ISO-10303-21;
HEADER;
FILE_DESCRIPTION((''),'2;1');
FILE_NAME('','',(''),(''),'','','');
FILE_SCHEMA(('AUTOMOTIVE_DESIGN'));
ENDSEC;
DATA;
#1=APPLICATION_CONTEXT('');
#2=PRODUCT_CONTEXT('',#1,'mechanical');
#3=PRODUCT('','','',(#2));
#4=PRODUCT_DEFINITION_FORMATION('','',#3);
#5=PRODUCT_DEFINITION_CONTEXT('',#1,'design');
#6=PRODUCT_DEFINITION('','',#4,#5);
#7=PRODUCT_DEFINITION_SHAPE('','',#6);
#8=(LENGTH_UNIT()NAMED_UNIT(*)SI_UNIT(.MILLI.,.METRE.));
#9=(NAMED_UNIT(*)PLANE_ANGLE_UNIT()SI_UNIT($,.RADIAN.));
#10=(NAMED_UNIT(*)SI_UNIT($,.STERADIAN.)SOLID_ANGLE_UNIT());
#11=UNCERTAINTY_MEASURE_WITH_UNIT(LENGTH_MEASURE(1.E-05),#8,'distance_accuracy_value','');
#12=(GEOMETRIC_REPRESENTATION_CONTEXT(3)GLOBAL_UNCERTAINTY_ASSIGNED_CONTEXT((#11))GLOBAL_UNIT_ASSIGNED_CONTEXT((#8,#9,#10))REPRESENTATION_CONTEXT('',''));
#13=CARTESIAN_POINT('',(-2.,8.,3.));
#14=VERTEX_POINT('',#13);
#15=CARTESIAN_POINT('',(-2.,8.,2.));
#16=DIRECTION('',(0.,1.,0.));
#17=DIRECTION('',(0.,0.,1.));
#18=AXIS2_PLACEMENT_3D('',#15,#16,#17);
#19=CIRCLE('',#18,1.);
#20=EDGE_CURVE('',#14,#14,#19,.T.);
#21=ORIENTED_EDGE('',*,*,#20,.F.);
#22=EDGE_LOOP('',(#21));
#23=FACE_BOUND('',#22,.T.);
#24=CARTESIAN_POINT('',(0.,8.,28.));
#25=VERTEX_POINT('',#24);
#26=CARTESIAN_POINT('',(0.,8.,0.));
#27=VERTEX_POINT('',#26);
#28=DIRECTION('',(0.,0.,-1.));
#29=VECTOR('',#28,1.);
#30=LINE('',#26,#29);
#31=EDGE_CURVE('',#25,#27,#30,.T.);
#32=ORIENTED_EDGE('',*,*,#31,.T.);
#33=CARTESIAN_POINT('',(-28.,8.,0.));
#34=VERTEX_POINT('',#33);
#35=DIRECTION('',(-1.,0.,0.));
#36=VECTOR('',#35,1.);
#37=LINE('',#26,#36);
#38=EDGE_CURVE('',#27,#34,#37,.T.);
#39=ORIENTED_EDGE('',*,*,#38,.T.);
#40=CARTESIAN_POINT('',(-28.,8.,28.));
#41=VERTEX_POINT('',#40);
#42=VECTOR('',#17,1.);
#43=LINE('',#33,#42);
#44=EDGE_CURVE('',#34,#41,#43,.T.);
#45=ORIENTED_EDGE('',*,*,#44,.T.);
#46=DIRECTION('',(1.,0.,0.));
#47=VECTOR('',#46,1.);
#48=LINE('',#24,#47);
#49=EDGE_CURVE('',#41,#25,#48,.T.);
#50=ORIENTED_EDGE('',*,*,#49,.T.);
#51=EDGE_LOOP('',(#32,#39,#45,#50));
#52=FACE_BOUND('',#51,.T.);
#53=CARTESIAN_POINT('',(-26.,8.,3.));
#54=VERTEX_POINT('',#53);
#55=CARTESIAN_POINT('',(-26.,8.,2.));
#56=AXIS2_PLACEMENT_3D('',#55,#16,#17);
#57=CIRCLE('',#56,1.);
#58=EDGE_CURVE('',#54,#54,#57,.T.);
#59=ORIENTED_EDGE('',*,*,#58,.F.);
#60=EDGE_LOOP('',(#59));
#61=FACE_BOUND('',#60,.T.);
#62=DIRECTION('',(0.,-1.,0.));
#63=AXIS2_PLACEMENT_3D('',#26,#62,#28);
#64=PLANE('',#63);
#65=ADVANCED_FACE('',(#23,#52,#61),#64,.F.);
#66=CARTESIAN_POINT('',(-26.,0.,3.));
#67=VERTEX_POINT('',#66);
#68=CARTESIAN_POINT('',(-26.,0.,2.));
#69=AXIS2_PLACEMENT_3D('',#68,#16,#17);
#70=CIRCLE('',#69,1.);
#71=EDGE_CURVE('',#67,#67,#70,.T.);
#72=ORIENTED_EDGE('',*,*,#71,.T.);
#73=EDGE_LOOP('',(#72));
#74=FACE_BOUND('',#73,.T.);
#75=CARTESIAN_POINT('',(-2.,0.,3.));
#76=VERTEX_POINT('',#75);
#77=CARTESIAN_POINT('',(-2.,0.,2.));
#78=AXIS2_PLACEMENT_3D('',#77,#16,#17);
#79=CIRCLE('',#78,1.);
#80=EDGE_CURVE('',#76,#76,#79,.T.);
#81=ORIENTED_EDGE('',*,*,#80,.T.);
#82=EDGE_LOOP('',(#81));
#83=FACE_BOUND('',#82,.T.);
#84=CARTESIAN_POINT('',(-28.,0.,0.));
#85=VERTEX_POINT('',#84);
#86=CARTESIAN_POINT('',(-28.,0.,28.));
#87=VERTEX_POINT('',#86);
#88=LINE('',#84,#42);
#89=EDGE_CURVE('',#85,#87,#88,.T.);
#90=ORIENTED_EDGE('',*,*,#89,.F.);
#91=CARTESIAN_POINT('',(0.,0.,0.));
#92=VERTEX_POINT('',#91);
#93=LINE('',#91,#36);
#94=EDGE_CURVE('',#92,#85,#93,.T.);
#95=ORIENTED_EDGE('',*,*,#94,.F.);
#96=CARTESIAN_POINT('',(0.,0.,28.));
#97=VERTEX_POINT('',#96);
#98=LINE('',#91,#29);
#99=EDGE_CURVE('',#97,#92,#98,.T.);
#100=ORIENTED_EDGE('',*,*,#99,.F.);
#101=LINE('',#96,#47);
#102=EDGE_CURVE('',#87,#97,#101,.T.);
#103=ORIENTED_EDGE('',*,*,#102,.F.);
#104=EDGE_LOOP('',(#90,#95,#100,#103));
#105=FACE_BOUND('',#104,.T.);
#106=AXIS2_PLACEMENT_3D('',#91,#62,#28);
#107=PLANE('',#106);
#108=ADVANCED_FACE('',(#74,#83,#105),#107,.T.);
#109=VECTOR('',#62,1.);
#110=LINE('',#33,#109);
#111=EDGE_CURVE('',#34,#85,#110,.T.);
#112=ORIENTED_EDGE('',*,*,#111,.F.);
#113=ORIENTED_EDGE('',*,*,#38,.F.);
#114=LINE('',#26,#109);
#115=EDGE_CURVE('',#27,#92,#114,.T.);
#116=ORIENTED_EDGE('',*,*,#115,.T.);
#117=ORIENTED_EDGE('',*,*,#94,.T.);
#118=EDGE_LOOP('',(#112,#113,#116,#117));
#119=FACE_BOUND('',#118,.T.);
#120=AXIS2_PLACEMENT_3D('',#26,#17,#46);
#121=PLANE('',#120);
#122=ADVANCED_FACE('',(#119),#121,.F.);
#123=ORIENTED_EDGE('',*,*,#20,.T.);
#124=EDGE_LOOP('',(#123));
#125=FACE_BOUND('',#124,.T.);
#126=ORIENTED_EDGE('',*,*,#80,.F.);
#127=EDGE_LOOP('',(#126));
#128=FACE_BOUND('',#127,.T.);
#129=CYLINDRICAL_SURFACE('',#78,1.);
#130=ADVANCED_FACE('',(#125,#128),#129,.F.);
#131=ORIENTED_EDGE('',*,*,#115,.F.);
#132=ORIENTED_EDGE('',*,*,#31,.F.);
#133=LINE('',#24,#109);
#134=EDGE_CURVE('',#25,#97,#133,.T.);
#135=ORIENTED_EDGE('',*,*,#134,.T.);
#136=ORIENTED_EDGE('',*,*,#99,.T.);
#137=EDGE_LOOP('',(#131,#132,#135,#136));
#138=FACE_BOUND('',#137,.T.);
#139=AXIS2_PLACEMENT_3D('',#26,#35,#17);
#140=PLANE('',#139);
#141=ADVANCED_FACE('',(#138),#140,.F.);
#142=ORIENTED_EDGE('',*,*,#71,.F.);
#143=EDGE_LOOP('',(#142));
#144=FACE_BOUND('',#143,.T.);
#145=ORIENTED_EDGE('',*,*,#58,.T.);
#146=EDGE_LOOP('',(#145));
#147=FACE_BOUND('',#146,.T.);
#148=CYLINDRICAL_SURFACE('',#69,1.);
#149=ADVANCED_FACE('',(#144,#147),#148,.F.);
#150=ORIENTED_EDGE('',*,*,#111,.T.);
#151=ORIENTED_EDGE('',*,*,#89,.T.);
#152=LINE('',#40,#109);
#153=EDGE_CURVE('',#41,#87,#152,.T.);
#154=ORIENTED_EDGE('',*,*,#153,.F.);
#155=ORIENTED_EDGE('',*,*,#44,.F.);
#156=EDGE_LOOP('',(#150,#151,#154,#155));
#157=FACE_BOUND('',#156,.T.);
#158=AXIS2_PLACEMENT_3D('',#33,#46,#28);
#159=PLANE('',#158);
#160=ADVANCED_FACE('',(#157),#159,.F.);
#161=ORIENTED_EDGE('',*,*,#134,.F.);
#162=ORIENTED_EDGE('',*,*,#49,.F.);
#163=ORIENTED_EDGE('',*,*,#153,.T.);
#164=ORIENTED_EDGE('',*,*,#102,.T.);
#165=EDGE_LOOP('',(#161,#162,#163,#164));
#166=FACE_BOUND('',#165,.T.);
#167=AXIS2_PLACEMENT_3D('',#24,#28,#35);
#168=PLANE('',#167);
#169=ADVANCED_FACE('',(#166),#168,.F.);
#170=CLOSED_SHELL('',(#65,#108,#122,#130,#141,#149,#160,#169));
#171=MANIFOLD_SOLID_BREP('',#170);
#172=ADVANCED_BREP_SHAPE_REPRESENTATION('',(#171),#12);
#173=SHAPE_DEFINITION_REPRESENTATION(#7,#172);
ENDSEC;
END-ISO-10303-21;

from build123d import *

# Parameters (mm, degrees)
SKETCH1_W           = 28
SKETCH1_H           = 28
BOSS_EXTRUDE1_DEPTH = 8
SKETCH2_R           = 1
CUT_EXTRUDE1_DEPTH  = 8


with BuildPart() as part:
    # Sketch1 → Boss-Extrude1 (new body)
    with BuildSketch(Plane(origin=(0, 0, 0), x_dir=(1, 0, 0), z_dir=(0, 1, 0))):
        with Locations((-14, -14)):
            Rectangle(SKETCH1_W, SKETCH1_H)
    extrude(amount=BOSS_EXTRUDE1_DEPTH)

    # Sketch2 → Cut-Extrude1 (cut)
    with BuildSketch(Plane(origin=(0, 8, 0), x_dir=(1, 0, 0), z_dir=(0, 1, 0))):
        with Locations((-26, -2)):
            Circle(SKETCH2_R)
        with Locations((-2, -2)):
            Circle(SKETCH2_R)
    extrude(amount=-CUT_EXTRUDE1_DEPTH, mode=Mode.SUBTRACT)


solid = part.part
